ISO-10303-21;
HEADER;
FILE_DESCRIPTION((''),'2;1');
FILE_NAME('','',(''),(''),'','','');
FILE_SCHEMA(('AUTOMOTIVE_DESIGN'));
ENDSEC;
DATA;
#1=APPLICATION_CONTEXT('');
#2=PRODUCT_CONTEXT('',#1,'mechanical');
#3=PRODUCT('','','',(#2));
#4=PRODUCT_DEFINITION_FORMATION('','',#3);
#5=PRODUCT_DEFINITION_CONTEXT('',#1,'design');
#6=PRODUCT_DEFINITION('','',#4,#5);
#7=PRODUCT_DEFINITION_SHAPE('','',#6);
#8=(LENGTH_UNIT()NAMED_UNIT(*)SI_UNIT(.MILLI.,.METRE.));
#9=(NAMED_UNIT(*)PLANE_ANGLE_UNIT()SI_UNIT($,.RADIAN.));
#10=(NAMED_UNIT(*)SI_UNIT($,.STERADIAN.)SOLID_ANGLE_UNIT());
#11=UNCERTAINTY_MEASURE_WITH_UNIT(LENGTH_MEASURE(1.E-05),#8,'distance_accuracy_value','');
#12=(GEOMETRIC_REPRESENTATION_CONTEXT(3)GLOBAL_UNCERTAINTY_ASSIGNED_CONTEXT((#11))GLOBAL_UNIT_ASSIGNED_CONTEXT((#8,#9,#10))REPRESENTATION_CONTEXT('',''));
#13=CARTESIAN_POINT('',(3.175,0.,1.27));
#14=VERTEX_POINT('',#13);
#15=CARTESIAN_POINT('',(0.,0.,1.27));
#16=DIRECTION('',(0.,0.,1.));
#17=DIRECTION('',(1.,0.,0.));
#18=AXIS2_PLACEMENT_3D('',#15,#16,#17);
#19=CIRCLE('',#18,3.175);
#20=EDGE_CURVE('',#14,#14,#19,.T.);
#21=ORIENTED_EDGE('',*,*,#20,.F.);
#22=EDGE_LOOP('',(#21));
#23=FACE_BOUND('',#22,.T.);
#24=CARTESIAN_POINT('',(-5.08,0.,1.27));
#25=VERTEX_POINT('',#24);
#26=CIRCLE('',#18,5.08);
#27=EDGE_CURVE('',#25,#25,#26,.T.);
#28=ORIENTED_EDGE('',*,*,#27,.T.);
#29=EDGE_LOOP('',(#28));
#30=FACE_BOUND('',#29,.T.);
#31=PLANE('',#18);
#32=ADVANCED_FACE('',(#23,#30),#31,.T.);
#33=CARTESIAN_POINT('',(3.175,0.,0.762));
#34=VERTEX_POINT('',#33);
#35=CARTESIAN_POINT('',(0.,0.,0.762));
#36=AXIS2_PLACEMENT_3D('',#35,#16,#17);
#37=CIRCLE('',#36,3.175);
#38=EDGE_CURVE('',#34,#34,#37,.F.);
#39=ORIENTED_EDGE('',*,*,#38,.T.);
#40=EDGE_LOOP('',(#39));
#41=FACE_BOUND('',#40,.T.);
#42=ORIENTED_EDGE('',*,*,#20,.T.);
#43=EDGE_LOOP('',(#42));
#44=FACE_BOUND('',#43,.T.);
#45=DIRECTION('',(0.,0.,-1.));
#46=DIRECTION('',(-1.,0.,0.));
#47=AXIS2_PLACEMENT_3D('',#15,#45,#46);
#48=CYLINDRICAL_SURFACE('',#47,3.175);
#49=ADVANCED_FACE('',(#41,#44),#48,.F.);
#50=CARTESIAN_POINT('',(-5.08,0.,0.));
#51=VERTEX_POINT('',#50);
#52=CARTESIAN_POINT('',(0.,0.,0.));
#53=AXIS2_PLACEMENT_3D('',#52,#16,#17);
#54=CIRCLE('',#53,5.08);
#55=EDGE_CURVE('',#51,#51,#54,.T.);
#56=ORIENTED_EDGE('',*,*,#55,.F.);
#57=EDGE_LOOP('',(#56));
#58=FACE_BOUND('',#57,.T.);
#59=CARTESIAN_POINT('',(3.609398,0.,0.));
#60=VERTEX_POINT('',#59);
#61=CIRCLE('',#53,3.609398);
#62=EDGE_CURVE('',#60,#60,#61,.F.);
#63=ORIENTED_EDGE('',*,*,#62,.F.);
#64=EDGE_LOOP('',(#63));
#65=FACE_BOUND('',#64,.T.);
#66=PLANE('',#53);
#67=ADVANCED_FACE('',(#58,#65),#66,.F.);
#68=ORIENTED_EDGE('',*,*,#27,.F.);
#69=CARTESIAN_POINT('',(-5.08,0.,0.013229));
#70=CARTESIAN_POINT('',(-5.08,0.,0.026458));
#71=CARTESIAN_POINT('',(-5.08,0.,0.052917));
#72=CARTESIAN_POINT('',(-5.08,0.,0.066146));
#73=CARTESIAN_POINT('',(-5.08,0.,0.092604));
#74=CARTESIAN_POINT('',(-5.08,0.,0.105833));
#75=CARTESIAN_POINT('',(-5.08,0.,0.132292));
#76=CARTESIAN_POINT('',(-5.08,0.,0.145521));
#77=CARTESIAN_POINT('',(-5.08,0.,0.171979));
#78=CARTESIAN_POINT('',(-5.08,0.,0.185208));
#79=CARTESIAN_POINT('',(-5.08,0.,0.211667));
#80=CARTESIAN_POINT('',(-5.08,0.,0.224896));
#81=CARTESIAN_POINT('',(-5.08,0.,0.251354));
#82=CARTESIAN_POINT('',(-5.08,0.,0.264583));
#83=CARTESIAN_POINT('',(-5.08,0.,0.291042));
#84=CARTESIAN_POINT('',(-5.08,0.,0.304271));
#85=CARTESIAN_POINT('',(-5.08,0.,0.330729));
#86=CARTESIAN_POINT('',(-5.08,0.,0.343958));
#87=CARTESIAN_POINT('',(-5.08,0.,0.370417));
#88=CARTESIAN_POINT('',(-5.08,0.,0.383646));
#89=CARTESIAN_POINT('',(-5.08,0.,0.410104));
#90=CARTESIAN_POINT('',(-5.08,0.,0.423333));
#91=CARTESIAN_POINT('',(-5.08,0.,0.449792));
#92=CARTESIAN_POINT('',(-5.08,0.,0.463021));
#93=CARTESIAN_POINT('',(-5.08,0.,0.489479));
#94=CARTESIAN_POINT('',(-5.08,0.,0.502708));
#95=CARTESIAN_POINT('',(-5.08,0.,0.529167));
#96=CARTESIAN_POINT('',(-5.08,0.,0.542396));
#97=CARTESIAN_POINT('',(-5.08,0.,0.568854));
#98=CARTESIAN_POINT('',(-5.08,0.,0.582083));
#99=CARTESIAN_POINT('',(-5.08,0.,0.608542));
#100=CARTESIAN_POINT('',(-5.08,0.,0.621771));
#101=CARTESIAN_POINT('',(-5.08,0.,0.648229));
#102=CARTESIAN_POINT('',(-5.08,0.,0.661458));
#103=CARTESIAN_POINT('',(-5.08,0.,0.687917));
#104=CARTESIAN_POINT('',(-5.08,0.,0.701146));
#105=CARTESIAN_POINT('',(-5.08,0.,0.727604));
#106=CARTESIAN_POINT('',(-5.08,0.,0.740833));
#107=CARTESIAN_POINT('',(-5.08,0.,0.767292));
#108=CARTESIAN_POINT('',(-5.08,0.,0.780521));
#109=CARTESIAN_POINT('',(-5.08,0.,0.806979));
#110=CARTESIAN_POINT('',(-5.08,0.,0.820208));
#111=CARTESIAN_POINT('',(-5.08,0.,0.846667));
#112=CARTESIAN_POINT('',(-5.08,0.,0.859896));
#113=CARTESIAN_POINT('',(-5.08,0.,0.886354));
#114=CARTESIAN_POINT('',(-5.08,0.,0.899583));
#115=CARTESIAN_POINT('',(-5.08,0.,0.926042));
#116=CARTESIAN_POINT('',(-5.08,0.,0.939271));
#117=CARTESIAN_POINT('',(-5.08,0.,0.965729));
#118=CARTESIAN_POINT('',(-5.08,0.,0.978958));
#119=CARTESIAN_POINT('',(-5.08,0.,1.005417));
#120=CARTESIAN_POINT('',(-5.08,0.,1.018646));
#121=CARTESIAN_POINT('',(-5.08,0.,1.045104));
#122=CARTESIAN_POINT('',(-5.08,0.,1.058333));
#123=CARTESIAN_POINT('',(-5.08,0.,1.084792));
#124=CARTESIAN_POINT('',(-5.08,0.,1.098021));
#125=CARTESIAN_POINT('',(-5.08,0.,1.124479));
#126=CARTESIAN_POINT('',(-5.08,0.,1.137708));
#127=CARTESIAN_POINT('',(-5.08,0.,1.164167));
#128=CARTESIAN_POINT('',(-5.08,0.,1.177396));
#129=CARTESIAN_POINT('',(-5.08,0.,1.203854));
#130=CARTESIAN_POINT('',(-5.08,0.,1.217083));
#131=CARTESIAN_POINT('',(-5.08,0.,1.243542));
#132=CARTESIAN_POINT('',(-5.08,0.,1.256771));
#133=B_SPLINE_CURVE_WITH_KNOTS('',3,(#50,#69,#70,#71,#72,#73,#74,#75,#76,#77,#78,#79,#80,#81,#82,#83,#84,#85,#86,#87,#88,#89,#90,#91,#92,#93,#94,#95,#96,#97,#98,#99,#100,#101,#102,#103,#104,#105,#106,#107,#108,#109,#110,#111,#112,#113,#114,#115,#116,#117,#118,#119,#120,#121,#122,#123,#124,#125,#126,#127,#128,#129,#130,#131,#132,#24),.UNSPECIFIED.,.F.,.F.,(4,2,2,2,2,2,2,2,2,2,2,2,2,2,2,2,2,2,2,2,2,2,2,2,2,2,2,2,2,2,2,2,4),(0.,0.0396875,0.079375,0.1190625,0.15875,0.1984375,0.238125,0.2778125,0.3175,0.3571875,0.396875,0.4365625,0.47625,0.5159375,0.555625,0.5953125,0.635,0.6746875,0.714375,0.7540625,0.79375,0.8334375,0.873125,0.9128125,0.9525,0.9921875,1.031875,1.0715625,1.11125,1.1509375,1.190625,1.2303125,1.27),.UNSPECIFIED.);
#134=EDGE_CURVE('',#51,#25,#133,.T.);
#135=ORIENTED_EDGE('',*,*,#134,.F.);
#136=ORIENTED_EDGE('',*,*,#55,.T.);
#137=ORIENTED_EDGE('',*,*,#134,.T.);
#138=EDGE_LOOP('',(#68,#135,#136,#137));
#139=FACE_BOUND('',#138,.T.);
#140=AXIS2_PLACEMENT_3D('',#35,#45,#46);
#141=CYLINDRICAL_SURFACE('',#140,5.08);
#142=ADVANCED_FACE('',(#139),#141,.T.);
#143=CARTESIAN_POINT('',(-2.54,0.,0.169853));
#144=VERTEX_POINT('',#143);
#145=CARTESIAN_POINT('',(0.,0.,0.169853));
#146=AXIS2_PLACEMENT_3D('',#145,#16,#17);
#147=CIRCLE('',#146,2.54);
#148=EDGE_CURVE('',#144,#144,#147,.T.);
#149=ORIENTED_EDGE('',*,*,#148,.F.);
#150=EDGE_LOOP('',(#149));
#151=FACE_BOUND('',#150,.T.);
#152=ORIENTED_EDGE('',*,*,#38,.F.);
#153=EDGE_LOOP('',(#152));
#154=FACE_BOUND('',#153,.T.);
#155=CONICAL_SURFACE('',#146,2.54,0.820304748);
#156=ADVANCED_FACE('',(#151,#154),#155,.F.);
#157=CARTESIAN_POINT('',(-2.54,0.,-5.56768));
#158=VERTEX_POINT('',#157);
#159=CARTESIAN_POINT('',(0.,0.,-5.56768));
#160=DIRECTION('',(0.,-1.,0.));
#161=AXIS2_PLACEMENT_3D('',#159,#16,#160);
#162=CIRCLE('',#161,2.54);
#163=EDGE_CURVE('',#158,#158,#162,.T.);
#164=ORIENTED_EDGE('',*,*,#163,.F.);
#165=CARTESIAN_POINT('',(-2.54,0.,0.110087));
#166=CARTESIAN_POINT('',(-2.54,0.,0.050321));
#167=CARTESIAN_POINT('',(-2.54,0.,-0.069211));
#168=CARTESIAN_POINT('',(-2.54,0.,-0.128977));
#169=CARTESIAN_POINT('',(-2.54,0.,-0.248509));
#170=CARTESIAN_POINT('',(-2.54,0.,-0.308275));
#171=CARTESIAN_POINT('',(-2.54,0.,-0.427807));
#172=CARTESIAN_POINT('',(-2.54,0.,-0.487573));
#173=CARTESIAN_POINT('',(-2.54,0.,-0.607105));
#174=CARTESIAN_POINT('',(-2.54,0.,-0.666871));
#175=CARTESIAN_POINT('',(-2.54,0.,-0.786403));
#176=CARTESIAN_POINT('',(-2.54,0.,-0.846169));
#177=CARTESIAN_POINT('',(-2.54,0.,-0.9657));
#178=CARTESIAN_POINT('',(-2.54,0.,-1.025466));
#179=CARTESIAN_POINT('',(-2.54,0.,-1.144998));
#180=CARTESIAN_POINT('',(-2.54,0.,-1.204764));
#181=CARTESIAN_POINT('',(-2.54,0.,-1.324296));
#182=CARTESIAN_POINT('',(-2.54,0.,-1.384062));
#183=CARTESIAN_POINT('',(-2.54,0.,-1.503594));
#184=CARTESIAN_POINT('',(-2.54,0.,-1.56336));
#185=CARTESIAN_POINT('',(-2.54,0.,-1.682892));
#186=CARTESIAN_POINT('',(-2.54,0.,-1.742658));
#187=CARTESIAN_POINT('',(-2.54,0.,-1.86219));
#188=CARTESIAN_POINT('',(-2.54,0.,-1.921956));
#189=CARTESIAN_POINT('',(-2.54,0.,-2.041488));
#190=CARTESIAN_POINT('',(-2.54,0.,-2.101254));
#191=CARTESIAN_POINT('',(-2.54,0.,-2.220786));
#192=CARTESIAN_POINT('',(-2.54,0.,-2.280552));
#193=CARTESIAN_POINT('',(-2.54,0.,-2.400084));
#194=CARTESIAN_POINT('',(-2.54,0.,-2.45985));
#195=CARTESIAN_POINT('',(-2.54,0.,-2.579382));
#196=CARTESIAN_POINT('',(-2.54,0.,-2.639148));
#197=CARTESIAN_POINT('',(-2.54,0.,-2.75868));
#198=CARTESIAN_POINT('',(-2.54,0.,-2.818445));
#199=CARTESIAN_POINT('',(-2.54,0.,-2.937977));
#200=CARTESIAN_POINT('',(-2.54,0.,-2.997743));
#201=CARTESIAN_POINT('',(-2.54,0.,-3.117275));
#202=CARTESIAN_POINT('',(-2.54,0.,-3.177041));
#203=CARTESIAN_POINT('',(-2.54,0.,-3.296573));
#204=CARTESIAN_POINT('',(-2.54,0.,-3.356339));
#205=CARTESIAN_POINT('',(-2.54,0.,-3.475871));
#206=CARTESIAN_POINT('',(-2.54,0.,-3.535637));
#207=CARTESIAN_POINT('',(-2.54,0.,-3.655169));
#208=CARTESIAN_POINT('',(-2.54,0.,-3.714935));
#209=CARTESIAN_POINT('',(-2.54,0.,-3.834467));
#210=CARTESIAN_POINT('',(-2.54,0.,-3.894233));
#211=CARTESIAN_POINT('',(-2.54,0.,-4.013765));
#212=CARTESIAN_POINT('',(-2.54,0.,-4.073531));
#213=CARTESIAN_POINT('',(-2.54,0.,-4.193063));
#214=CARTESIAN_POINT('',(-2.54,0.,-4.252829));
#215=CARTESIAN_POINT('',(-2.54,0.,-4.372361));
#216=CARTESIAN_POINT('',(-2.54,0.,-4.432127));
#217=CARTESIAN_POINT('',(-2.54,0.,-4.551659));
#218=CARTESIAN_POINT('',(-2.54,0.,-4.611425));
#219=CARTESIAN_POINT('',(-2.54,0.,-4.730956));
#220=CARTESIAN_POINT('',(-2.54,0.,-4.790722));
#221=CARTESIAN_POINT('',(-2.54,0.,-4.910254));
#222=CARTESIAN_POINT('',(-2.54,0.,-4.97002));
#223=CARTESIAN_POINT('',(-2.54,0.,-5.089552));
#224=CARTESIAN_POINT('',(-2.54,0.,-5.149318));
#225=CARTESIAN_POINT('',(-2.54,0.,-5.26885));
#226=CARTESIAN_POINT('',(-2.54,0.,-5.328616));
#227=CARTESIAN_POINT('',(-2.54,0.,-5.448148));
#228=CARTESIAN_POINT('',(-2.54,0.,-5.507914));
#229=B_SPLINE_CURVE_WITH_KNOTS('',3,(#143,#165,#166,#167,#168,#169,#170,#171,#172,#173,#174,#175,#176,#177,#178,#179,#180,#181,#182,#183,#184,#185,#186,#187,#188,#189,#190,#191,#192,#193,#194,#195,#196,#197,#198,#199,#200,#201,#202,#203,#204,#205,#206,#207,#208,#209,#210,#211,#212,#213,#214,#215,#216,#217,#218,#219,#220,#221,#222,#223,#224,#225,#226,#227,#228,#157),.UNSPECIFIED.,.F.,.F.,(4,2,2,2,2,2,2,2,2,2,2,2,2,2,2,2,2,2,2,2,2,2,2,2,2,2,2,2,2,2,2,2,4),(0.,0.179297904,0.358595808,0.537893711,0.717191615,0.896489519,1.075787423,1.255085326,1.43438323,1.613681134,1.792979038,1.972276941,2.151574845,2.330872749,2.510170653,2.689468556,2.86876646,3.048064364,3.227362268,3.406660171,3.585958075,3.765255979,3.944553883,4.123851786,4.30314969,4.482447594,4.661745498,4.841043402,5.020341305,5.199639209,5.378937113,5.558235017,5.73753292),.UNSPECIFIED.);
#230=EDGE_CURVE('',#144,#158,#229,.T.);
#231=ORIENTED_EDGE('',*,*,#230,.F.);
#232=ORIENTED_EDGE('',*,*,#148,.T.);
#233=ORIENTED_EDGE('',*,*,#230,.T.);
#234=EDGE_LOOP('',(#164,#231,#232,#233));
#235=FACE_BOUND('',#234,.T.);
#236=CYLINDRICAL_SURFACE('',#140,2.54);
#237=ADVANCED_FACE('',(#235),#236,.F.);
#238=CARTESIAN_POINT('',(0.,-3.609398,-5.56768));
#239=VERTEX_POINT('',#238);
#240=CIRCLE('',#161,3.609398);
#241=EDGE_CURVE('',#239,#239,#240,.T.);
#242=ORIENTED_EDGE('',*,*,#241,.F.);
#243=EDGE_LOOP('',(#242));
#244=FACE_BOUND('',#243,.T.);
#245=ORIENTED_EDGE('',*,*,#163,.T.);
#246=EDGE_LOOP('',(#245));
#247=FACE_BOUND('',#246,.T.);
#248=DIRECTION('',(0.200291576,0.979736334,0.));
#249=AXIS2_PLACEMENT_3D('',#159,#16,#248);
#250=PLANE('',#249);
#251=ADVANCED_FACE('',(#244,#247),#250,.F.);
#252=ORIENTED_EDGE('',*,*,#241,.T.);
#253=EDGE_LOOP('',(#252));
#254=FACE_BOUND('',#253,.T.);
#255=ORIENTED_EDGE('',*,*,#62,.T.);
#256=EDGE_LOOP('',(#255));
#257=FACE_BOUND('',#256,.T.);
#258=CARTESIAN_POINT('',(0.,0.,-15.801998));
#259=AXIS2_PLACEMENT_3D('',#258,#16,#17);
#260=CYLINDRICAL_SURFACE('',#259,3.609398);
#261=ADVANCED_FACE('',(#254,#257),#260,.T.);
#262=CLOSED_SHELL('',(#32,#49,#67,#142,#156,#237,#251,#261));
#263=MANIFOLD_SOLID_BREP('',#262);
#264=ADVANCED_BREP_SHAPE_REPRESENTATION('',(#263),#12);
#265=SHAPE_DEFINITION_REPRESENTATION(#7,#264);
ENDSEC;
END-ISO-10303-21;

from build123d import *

# Parameters (mm, degrees)
SKETCH1_R           = 5.08
SKETCH1_R_2         = 2.54
BOSS_EXTRUDE1_DEPTH = 0.762
CHAMFER2_SIZE       = 0.635
CHAMFER2_SIZE2      = 0.59214708
SKETCH3_R           = 5.08
SKETCH3_R_2         = 3.175
BOSS_EXTRUDE3_DEPTH = 0.508
BOSS_EXTRUDE4_START = 5.56768
SKETCH4_R           = 3.609397664
SKETCH4_R_2         = 2.54
BOSS_EXTRUDE4_DEPTH = 5.56768


with BuildPart() as part:
    # Sketch1 → Boss-Extrude1 (new body)
    with BuildSketch(Plane.XY):
        with Locations(Location((0, 0, 0), (0, 0, 180))):
            Circle(SKETCH1_R)
        with Locations(Location((0, 0, 0), (0, 0, 180))):
            Circle(SKETCH1_R_2, mode=Mode.SUBTRACT)
    extrude(amount=BOSS_EXTRUDE1_DEPTH)

    # Chamfer2
    chamfer2_edges = [part.edges().sort_by_distance(p)[0] for p in [
        (2.54, 0, 0.762),
    ]]
    chamfer2_side = [part.faces().sort_by_distance(p)[0] for p in [
        (4.936315902, 0, 0.762),
    ]]
    chamfer(chamfer2_edges, length=CHAMFER2_SIZE, length2=CHAMFER2_SIZE2, reference=chamfer2_side[0])

    # Sketch3 → Boss-Extrude3 (add)
    with BuildSketch(Plane.XY.offset(0.762)):
        with Locations(Location((0, 0, 0), (0, 0, 180))):
            Circle(SKETCH3_R)
        Circle(SKETCH3_R_2, mode=Mode.SUBTRACT)
    extrude(amount=BOSS_EXTRUDE3_DEPTH)

    # Sketch4 → Boss-Extrude4 (add)
    with BuildSketch(Plane(origin=(0, 0, 0), x_dir=(-1, 0, 0), z_dir=(0, 0, -1)).offset(BOSS_EXTRUDE4_START)):
        with Locations(Location((0, 0, 0), (0, 0, 180))):
            Circle(SKETCH4_R)
        Circle(SKETCH4_R_2, mode=Mode.SUBTRACT)
    extrude(amount=-BOSS_EXTRUDE4_DEPTH)


solid = part.part
